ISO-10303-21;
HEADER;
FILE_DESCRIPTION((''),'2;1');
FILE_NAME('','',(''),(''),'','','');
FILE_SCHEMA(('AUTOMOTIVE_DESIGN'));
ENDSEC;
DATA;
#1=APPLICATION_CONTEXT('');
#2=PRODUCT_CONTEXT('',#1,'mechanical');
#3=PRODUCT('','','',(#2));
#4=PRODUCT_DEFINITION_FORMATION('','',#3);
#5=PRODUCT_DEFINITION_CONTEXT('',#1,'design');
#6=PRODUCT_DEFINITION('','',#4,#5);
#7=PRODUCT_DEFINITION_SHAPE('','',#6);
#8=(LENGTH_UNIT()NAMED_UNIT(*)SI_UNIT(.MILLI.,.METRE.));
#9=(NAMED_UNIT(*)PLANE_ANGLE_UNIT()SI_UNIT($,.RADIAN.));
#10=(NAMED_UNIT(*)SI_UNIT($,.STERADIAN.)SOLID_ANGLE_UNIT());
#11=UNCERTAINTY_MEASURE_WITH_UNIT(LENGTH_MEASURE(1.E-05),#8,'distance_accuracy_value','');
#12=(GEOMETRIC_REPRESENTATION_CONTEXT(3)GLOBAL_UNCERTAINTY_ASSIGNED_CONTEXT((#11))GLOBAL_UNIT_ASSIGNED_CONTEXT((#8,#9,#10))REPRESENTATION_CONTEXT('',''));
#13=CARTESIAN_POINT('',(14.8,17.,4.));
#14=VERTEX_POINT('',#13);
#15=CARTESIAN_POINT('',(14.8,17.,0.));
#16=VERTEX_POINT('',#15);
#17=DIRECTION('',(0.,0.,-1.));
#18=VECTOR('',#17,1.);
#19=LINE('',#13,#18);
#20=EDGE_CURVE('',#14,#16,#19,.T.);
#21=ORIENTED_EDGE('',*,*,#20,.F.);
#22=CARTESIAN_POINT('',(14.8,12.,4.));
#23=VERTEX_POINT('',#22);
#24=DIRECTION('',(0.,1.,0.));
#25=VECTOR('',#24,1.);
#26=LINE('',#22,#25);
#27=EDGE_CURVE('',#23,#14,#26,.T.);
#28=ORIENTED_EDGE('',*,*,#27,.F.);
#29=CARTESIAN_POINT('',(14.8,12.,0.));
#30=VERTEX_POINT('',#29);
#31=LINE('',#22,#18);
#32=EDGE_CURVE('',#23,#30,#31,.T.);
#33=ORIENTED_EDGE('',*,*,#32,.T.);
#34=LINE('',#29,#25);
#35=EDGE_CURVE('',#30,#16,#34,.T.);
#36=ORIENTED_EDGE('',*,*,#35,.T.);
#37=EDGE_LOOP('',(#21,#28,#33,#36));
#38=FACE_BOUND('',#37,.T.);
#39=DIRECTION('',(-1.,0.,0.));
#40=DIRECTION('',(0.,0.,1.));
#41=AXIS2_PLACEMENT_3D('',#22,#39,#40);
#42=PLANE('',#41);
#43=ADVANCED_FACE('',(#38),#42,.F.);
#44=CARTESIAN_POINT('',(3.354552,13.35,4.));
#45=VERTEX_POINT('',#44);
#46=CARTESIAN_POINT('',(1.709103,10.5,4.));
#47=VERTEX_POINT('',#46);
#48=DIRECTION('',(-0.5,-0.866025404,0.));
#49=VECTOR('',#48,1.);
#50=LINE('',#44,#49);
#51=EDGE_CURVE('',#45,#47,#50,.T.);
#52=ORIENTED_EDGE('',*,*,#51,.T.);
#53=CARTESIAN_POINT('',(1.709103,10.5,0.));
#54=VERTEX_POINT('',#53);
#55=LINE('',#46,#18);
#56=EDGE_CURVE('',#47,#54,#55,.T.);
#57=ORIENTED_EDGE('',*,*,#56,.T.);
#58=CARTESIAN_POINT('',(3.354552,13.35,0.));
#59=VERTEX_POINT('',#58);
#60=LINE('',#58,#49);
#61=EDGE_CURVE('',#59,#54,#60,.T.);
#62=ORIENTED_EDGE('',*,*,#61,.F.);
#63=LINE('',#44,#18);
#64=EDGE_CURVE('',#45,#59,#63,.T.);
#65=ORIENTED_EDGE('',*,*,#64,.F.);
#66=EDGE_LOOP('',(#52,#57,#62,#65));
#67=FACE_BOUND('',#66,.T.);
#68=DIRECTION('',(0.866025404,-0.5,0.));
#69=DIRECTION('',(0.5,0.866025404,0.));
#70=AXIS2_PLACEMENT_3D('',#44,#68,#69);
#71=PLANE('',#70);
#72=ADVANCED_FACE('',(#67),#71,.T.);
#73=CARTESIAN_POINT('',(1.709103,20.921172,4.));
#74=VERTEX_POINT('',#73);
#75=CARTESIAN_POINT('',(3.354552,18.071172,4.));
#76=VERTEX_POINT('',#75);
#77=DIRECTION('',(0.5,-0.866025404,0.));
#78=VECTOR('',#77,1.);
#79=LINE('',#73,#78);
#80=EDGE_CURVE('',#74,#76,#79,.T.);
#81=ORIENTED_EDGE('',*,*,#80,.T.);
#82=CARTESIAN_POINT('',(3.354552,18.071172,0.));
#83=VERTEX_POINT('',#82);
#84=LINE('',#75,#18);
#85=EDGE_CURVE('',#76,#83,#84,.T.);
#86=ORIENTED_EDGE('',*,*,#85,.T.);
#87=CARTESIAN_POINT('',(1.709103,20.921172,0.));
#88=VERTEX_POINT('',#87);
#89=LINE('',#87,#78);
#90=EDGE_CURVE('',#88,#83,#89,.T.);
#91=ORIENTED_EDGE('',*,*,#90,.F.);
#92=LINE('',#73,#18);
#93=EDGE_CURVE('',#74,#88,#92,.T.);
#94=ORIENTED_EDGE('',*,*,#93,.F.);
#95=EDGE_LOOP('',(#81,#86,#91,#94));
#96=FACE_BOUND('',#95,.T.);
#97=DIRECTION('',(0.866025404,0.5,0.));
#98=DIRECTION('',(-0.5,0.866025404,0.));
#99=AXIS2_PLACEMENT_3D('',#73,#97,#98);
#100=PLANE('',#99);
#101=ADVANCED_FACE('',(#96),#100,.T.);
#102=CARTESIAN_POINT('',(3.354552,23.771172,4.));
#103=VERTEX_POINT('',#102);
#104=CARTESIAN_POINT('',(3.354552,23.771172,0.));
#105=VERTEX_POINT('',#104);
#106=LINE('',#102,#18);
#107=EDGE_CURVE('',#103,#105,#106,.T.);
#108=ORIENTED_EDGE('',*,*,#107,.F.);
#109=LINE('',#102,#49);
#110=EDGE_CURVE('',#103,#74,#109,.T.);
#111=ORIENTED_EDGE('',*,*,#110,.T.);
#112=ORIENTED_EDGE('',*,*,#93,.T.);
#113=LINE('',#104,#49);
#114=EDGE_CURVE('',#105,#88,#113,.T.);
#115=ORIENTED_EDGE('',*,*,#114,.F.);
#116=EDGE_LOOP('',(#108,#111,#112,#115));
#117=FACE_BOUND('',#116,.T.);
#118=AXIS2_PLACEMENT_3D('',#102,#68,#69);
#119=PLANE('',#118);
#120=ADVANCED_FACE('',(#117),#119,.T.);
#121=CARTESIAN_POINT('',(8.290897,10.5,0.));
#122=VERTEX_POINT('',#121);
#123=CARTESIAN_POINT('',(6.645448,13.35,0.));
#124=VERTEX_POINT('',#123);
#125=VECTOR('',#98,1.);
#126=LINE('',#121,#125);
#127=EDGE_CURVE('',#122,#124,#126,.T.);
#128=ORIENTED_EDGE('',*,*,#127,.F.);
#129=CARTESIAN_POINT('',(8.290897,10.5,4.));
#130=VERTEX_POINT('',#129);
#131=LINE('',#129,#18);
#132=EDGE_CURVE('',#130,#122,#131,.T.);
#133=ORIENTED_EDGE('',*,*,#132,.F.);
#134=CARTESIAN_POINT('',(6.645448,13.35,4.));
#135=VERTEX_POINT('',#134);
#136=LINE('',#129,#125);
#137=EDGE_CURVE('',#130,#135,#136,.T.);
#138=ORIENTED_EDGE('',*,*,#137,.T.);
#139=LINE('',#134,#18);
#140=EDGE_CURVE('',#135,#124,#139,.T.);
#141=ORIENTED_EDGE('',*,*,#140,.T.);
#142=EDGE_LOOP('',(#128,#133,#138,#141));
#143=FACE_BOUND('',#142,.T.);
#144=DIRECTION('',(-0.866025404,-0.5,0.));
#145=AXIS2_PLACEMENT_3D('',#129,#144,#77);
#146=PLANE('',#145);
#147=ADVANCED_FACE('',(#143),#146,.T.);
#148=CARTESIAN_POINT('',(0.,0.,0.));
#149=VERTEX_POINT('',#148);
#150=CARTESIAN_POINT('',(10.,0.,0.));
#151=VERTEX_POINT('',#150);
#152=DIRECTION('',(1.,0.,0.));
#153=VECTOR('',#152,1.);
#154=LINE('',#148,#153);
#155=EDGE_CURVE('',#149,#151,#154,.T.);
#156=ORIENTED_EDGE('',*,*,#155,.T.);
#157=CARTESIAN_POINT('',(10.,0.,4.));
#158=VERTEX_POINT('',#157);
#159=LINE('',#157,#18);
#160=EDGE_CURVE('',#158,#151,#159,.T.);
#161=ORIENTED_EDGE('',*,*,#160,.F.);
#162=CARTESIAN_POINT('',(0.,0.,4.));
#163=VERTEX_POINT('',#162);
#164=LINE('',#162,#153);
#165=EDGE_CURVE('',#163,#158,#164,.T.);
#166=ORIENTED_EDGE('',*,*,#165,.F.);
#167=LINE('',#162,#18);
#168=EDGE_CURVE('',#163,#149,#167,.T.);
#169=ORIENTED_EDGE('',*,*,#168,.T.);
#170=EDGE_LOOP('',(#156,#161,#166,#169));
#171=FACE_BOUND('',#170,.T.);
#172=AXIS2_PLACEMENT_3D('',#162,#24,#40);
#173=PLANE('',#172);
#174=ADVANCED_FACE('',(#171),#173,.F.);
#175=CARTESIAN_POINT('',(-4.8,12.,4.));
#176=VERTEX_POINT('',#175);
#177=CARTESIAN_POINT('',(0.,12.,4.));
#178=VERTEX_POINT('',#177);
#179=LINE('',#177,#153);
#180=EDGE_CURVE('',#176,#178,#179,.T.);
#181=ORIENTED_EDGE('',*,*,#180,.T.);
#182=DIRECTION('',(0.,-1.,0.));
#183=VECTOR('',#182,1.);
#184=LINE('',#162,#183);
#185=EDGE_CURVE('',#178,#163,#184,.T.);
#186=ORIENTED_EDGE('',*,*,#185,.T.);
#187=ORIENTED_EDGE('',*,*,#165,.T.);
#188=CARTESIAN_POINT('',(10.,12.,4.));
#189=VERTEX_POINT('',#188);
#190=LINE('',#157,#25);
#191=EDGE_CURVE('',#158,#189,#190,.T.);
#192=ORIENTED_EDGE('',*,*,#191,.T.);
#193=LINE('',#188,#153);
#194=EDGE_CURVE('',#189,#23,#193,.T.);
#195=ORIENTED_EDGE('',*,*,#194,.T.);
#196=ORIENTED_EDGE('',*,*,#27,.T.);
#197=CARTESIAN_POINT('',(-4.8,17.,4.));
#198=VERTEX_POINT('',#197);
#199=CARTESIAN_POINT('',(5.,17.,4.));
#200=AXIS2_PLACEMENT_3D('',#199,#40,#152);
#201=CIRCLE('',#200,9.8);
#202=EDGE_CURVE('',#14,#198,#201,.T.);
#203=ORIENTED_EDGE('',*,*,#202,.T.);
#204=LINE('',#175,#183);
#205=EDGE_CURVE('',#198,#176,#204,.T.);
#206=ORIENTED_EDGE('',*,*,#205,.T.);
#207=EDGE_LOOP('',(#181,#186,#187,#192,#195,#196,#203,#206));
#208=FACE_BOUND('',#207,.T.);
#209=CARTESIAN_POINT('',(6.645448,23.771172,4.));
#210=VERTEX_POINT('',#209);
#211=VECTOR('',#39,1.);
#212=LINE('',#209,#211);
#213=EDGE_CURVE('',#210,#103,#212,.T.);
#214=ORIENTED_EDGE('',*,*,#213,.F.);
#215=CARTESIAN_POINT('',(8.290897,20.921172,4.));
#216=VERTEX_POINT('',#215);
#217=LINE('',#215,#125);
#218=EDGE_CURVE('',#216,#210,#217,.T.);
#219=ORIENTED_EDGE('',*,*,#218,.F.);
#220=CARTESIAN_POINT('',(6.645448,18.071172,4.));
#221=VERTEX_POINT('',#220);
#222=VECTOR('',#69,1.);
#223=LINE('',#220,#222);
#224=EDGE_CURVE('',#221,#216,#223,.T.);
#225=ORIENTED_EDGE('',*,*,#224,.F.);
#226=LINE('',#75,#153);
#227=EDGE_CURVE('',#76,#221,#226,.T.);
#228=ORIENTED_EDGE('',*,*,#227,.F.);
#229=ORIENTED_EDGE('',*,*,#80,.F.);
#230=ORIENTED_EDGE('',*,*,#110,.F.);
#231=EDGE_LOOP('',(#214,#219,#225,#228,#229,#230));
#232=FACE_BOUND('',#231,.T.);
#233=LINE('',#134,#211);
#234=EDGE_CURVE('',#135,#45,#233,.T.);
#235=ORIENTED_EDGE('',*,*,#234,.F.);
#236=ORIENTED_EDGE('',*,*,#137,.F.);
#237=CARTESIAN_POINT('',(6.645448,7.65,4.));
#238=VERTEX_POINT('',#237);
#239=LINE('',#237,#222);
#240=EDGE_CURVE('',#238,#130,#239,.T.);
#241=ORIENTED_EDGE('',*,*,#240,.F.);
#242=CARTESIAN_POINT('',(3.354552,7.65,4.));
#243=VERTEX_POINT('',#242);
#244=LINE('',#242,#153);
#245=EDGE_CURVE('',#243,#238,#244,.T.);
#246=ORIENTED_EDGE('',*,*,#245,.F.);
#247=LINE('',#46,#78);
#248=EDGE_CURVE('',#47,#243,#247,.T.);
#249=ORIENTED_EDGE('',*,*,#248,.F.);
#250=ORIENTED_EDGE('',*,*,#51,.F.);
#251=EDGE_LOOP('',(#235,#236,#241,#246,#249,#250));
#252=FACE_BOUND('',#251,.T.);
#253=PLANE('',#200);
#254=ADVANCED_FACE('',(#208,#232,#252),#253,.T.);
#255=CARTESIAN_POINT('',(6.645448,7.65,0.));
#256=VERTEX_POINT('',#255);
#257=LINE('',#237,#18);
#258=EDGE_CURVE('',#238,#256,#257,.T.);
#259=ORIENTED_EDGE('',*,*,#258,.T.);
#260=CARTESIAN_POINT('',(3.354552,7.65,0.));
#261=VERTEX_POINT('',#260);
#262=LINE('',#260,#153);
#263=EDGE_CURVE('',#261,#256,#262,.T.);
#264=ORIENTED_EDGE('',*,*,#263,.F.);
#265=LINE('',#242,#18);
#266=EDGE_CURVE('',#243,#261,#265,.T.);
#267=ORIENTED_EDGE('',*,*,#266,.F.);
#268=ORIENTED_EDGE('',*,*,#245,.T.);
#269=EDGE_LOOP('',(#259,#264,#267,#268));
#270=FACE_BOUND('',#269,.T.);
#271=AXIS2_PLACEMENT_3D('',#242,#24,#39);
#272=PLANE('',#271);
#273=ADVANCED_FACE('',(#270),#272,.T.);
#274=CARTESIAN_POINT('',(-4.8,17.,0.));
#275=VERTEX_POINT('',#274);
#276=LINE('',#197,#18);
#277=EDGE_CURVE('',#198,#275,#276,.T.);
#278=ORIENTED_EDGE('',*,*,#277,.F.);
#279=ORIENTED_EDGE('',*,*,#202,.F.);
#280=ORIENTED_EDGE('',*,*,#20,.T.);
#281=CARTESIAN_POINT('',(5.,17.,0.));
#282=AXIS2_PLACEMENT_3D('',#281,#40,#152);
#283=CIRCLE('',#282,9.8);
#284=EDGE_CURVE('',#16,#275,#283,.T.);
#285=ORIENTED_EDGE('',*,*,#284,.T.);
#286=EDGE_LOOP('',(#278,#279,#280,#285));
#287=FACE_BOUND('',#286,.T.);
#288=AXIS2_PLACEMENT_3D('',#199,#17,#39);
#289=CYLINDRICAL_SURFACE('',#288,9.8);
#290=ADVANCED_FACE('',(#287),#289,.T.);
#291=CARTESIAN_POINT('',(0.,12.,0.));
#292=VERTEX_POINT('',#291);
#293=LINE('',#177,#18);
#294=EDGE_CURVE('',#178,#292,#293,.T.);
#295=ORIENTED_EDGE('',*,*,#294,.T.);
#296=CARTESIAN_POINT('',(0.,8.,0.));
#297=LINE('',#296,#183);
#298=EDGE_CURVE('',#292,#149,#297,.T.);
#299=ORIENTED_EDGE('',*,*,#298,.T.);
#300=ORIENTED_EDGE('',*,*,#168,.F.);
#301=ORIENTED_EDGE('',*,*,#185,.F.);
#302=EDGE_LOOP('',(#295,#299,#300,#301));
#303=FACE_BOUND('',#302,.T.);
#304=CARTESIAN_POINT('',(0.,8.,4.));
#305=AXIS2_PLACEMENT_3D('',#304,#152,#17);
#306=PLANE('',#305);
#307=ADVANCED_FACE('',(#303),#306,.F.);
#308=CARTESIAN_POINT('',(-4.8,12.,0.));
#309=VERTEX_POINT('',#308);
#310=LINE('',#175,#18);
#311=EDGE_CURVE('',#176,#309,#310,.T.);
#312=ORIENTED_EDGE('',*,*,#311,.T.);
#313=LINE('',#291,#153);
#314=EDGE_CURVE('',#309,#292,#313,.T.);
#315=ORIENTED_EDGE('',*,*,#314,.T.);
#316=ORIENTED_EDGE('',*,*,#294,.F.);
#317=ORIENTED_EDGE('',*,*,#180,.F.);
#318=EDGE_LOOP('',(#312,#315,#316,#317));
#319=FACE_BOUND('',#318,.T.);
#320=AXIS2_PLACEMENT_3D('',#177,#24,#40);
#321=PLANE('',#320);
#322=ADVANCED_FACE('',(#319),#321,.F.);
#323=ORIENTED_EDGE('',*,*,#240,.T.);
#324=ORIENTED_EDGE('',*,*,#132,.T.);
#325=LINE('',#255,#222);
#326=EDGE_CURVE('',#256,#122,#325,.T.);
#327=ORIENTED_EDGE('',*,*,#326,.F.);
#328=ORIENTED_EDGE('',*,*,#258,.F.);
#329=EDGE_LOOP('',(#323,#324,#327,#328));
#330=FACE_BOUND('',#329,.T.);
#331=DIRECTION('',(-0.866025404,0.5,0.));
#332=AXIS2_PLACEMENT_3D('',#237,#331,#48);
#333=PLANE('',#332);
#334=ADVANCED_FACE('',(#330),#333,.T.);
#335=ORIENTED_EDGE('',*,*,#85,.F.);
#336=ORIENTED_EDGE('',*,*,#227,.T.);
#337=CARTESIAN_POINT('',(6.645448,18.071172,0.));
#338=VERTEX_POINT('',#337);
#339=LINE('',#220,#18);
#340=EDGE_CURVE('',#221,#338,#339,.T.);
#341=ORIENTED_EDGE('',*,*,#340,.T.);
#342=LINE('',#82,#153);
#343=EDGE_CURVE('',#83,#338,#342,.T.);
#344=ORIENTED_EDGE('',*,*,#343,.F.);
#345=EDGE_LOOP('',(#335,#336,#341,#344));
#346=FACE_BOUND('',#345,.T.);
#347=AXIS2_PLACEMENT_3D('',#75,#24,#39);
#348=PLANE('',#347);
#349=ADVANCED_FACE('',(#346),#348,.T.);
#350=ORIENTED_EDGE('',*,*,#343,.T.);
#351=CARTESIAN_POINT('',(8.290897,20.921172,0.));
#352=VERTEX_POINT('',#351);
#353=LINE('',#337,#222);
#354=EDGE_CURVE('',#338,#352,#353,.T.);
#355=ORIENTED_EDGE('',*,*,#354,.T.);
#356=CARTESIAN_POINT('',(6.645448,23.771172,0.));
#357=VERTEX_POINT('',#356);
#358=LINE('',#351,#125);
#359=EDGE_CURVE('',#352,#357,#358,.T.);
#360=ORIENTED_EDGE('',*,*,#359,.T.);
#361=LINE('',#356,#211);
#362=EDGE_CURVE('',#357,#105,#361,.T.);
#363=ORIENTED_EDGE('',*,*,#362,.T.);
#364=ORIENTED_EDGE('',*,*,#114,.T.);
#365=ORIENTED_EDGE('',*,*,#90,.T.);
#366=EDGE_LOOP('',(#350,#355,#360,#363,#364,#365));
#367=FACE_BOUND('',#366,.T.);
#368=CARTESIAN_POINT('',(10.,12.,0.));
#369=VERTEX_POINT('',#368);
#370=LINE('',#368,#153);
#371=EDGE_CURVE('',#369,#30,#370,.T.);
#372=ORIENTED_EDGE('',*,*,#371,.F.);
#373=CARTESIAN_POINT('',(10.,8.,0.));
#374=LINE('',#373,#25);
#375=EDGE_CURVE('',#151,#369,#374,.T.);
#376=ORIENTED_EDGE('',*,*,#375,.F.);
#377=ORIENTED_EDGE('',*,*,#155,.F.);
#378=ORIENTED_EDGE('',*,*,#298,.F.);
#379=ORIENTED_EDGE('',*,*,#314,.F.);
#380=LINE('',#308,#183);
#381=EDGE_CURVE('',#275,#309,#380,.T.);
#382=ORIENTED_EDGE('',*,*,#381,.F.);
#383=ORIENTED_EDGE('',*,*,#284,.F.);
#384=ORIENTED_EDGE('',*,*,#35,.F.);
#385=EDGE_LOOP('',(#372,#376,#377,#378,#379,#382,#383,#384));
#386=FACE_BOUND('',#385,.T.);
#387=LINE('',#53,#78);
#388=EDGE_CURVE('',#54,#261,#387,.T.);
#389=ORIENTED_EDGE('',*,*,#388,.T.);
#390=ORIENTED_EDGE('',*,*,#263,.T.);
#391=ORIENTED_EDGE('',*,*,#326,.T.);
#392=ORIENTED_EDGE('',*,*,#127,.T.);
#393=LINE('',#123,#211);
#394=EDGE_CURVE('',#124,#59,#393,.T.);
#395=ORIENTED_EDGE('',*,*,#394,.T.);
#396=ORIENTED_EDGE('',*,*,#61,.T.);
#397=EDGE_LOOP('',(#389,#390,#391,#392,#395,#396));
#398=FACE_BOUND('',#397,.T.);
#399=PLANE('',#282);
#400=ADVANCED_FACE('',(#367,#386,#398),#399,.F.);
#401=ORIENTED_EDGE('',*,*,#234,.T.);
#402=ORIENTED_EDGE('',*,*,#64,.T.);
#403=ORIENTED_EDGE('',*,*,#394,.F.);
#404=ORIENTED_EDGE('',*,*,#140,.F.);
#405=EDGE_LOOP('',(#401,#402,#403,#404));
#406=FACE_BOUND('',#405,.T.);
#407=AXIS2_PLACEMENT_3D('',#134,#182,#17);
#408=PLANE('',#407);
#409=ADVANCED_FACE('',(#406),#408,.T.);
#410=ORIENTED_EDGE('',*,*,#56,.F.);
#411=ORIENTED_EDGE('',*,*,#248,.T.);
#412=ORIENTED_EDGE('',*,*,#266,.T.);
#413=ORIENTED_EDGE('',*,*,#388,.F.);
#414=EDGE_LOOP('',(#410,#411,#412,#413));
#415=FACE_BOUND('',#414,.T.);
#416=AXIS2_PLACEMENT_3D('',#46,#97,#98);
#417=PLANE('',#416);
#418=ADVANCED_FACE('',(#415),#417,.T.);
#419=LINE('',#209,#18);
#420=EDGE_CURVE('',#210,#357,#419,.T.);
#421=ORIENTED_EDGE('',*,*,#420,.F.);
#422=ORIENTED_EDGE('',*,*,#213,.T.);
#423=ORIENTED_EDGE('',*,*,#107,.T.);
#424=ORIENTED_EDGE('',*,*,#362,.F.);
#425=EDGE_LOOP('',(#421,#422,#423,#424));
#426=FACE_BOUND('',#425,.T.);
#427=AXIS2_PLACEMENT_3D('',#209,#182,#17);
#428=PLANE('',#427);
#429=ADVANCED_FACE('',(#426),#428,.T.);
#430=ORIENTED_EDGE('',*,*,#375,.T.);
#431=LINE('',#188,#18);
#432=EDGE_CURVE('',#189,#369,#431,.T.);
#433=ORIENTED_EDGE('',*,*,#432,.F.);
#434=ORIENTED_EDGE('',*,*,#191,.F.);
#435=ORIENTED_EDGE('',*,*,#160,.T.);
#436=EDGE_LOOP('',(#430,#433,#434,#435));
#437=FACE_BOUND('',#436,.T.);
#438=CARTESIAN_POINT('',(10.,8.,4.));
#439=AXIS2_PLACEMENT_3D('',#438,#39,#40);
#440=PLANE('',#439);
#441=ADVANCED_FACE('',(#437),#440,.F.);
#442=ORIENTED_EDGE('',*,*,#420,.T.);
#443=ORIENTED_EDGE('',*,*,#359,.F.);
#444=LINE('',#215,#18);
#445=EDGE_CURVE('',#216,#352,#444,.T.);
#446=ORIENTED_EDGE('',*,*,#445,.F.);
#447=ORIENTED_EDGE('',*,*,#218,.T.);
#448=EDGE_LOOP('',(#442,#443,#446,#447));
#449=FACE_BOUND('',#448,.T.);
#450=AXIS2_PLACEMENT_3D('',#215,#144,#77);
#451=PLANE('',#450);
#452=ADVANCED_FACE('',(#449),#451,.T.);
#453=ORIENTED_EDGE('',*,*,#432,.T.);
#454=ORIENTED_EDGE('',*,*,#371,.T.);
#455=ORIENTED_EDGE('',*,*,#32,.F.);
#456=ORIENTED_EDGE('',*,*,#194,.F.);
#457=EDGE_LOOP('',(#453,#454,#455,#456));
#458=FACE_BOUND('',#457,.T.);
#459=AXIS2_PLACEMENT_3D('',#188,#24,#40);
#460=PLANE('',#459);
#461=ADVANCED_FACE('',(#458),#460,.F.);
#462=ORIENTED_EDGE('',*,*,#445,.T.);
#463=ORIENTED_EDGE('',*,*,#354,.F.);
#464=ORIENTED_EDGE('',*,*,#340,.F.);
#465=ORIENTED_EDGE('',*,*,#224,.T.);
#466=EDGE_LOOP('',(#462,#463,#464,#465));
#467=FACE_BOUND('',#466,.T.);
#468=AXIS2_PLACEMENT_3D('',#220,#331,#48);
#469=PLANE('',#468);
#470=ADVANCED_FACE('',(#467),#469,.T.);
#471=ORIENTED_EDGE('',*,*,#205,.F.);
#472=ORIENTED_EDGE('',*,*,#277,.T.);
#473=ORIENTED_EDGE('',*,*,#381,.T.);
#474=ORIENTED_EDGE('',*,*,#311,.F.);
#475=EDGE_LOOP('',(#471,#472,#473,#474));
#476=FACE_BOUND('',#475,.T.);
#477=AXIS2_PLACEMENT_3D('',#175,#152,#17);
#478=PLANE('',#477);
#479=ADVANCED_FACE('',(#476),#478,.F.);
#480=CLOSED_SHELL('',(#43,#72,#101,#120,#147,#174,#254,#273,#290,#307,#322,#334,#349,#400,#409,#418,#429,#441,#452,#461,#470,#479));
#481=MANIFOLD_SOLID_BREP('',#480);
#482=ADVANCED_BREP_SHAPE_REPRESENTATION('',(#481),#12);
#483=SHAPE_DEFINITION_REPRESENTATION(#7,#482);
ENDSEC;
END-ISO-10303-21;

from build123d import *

# Parameters (mm, degrees)
BOSS_EXTRUDE1_DEPTH = 4
SKETCH2_W           = 2.5
SKETCH2_H           = 4
CUT_EXTRUDE1_DEPTH  = 4


with BuildPart() as part:
    # Sketch1 → Boss-Extrude1 (new body)
    with BuildSketch(Plane.XY):
        with BuildLine():
            Line((0, 0), (10, 0))
            Line((10, 0), (10, 4))
            Line((10, 4), (12.5, 4))
            Line((12.5, 4), (12.5, 8))
            Line((12.5, 8), (10, 8))
            Line((10, 8), (10, 12))
            Line((10, 12), (14.8, 12))
            Line((14.8, 12), (14.8, 17))
            ThreePointArc((14.8, 17), (5, 26.8), (-4.8, 17))
            Line((-4.8, 17), (-4.8, 12))
            Line((-4.8, 12), (0, 12))
            Line((0, 12), (0, 8))
            Line((0, 8), (-2.5, 8))
            Line((-2.5, 8), (-2.5, 4))
            Line((-2.5, 4), (0, 4))
            Line((0, 4), (0, 0))
        make_face()
        Polygon((3.354551733, 18.071172359), (6.645448267, 18.071172359), (8.290896534, 20.921172359), (6.645448267, 23.771172359), (3.354551733, 23.771172359), (1.709103466, 20.921172359), align=None, mode=Mode.SUBTRACT)
        Polygon((8.290896534, 10.5), (6.645448267, 13.35), (3.354551733, 13.35), (1.709103466, 10.5), (3.354551733, 7.65), (6.645448267, 7.65), align=None, mode=Mode.SUBTRACT)
    extrude(amount=BOSS_EXTRUDE1_DEPTH)

    # Sketch2 → Cut-Extrude1 (cut)
    with BuildSketch(Plane.XY.offset(4)):
        with Locations((-1.25, 6)):
            Rectangle(SKETCH2_W, SKETCH2_H)
        with Locations((11.25, 6)):
            Rectangle(SKETCH2_W, SKETCH2_H)
    extrude(amount=-CUT_EXTRUDE1_DEPTH, mode=Mode.SUBTRACT)


solid = part.part
